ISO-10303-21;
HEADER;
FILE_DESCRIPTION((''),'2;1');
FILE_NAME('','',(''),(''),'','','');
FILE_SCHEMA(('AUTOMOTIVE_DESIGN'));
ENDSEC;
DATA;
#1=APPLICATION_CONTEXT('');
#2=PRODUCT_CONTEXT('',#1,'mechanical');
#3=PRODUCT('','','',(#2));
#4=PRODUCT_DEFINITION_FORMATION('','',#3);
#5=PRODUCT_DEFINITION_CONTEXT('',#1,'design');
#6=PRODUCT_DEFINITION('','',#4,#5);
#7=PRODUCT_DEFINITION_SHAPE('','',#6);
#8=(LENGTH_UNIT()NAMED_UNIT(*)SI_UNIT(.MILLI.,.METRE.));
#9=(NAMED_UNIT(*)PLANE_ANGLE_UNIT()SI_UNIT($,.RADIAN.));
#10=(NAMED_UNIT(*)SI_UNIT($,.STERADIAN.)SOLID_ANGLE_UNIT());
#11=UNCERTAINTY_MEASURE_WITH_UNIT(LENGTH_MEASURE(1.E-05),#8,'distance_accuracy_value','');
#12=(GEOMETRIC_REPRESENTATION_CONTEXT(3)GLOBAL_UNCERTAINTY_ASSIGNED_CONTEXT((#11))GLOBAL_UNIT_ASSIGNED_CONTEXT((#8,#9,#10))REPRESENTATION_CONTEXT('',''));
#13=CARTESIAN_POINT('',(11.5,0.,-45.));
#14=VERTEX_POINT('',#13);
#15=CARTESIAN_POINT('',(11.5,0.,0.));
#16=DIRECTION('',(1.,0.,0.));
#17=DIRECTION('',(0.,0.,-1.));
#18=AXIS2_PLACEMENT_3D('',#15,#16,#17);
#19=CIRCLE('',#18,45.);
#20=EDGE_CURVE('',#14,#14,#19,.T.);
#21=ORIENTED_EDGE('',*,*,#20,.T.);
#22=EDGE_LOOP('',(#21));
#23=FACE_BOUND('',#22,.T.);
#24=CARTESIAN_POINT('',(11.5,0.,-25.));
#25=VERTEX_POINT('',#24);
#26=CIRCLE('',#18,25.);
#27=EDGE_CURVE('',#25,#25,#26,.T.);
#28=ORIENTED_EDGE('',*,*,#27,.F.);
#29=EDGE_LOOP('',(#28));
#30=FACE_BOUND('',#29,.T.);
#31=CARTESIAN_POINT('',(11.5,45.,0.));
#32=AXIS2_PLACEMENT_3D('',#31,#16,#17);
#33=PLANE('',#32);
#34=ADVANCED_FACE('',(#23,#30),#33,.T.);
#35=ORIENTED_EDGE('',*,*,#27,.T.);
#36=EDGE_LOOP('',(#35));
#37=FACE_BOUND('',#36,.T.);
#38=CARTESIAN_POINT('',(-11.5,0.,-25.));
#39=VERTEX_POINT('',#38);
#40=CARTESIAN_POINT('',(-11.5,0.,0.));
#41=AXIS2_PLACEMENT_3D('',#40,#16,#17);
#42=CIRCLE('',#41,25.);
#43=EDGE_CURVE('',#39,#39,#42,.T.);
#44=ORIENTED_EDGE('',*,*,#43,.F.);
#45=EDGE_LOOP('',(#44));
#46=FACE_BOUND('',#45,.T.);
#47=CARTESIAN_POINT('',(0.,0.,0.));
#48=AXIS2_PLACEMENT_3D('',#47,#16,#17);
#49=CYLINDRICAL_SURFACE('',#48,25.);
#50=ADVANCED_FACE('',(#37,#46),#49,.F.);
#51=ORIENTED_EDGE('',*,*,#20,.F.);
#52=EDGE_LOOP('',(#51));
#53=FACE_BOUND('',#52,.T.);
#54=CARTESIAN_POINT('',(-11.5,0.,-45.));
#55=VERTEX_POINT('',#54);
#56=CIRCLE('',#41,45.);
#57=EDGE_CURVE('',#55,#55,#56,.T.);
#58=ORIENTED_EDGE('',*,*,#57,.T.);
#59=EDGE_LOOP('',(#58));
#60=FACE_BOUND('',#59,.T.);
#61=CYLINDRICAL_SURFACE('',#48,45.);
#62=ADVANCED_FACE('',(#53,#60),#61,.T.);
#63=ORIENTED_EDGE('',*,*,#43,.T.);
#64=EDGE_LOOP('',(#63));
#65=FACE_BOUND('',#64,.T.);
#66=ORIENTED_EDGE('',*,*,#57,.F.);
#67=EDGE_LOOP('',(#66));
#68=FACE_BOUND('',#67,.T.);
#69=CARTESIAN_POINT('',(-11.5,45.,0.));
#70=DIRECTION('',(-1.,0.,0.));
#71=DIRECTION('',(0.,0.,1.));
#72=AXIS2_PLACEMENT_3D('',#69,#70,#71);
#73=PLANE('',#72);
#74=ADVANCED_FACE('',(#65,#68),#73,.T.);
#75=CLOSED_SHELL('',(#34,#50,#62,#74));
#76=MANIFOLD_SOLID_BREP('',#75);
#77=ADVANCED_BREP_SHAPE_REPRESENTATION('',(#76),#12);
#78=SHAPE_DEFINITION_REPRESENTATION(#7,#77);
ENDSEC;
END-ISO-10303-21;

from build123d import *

# Parameters (mm, degrees)
SKETCH_1_W = 23
SKETCH_1_H = 20


with BuildPart() as part:
    # Эскиз1 → Повернуть1 (revolve)
    with BuildSketch(Plane.XY, mode=Mode.PRIVATE) as revolve_1_sk:
        with Locations((0, 35)):
            Rectangle(SKETCH_1_W, SKETCH_1_H)
    revolve(revolve_1_sk.sketch.rotate(Axis((0, 0, 0), (-1, 0, 0)), 90), axis=Axis((0, 0, 0), (-1, 0, 0)))


solid = part.part
